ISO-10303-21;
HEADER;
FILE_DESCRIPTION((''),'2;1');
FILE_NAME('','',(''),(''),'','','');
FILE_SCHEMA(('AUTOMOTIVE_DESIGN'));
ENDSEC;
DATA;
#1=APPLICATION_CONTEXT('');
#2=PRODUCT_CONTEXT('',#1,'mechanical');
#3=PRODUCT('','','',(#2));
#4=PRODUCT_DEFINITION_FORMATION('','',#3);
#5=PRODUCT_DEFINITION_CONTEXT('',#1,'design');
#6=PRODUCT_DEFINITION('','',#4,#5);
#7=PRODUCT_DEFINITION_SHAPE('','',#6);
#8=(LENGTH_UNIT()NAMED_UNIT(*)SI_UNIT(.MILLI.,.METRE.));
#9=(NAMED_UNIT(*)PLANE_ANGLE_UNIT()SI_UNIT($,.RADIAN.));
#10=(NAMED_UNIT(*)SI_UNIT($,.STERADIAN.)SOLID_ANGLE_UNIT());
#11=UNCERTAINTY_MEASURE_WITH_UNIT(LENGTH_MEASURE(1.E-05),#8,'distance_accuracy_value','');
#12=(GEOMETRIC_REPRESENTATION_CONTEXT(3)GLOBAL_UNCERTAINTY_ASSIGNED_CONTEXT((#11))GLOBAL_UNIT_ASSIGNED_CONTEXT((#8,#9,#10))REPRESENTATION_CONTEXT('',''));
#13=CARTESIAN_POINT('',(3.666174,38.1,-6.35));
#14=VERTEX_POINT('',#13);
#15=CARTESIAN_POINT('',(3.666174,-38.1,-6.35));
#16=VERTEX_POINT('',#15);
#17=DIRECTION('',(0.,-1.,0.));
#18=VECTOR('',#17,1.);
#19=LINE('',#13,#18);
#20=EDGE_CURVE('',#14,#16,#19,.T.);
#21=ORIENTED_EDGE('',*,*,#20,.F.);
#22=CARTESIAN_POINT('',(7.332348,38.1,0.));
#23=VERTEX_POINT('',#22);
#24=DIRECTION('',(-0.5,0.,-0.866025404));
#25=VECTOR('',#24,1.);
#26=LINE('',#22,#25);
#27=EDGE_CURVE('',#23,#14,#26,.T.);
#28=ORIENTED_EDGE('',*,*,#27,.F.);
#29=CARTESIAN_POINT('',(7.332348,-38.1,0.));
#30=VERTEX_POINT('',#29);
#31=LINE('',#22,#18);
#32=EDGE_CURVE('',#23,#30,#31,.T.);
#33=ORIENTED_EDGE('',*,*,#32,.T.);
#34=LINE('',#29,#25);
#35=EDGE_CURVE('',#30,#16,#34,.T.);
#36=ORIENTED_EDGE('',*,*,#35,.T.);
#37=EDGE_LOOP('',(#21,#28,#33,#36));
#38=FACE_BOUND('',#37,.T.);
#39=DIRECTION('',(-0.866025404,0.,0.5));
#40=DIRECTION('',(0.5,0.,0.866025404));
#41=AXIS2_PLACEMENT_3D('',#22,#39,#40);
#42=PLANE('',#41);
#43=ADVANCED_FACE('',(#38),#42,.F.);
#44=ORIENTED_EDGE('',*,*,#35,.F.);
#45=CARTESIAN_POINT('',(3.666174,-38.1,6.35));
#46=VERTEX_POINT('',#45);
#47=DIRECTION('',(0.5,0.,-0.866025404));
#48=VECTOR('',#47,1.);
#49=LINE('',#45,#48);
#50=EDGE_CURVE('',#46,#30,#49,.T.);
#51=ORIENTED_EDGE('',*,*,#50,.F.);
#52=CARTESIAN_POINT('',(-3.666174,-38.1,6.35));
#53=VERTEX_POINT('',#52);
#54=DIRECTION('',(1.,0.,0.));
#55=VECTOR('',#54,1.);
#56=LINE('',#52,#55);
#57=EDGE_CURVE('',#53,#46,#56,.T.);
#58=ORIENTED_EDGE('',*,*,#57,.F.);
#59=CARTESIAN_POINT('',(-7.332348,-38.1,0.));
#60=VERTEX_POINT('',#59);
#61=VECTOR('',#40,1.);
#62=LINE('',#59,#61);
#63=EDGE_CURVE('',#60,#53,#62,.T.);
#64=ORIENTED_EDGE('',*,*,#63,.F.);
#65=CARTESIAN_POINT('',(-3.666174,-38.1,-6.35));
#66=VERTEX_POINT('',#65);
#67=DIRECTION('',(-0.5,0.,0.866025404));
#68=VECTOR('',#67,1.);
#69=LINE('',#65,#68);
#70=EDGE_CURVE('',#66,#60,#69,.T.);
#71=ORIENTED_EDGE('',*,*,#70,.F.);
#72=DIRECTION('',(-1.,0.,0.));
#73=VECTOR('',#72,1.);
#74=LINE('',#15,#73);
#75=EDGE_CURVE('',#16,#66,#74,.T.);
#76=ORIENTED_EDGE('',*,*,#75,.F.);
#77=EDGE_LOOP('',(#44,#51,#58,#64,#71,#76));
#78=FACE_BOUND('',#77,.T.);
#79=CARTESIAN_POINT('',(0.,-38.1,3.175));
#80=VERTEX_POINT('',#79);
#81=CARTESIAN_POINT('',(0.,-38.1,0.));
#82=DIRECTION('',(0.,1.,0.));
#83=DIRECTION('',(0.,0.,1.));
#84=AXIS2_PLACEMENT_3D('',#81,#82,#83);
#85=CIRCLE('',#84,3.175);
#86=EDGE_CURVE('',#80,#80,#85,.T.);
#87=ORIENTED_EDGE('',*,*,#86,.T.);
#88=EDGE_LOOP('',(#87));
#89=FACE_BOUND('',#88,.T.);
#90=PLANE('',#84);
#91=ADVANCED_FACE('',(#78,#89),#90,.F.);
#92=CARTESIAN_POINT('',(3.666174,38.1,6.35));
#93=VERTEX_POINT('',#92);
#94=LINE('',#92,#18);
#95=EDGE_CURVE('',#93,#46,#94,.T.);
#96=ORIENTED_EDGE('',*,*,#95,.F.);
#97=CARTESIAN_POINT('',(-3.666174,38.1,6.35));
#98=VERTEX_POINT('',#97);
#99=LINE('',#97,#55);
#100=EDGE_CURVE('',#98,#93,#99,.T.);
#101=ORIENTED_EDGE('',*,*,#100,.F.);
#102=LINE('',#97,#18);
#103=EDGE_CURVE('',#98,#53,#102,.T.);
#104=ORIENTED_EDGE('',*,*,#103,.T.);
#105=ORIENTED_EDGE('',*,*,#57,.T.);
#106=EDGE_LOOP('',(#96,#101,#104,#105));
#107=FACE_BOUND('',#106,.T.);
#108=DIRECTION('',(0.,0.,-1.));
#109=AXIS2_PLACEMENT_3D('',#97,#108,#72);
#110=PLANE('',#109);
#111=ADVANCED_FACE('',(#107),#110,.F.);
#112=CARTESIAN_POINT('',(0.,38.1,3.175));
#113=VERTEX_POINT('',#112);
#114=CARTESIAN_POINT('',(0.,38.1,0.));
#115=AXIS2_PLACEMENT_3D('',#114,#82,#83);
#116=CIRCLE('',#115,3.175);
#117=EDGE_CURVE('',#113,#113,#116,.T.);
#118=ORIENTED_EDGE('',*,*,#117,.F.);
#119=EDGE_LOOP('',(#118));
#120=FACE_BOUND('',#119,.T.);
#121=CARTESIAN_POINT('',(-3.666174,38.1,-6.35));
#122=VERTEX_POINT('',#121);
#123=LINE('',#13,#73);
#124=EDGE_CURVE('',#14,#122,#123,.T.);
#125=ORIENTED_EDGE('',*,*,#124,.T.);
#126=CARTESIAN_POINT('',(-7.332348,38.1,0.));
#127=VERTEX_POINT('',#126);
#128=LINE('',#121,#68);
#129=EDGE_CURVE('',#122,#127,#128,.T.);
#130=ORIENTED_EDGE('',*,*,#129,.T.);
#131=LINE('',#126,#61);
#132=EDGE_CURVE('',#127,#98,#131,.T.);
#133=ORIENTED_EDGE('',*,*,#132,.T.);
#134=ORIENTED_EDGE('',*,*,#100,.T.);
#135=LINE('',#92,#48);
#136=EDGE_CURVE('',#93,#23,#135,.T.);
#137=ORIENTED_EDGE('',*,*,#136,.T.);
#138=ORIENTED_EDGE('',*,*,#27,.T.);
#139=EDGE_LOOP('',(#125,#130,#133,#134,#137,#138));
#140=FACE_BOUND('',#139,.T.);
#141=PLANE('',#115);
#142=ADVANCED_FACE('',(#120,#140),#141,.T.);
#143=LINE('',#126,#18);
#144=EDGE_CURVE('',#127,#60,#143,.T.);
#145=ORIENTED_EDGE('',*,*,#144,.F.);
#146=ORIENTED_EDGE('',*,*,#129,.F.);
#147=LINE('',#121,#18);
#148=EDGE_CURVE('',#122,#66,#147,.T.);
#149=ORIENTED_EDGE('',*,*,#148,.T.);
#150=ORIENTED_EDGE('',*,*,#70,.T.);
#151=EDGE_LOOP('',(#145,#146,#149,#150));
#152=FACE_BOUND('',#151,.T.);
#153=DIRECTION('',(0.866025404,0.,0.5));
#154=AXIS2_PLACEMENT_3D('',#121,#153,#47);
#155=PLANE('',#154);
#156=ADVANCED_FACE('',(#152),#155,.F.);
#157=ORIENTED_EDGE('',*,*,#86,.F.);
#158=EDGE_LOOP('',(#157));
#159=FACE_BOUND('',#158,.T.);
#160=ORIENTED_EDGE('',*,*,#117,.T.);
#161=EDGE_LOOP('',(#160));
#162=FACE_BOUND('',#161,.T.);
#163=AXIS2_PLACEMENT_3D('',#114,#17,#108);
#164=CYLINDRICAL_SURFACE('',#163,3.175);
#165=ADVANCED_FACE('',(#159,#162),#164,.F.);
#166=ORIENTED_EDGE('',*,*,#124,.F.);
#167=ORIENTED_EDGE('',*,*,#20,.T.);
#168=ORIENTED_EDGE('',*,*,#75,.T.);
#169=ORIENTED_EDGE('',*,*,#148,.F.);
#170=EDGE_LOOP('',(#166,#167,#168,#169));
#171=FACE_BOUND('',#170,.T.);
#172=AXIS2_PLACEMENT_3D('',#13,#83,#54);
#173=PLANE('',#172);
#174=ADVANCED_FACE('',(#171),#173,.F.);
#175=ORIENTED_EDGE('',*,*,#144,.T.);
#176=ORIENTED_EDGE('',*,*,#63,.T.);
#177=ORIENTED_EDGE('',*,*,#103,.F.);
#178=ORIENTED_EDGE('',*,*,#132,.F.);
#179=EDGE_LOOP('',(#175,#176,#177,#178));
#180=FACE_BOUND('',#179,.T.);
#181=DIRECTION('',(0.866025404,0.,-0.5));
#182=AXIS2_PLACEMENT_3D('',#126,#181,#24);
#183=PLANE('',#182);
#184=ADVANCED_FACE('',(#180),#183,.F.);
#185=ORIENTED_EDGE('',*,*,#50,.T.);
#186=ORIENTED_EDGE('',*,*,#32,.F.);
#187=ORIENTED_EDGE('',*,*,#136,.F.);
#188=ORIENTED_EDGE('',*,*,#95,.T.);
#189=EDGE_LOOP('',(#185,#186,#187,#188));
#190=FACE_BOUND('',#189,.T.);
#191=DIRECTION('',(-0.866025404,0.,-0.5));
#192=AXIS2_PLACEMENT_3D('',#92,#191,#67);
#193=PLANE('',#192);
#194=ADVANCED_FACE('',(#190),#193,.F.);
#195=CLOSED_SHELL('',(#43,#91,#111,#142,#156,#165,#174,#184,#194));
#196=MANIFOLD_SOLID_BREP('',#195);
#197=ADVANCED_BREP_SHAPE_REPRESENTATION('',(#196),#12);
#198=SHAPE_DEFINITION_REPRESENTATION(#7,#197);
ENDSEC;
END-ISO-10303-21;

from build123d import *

# Parameters (mm, degrees)
SKETCH1_R           = 3.175
BOSS_EXTRUDE1_DEPTH = 38.1


with BuildPart() as part:
    # Sketch1 → Boss-Extrude1 (new body, symmetric)
    with BuildSketch(Plane(origin=(0, 0, 0), x_dir=(1, 0, 0), z_dir=(0, 1, 0))):
        Polygon((3.666174209, -6.35), (7.332348419, 0), (3.666174209, 6.35), (-3.666174209, 6.35), (-7.332348419, 0), (-3.666174209, -6.35), align=None)
        Circle(SKETCH1_R, mode=Mode.SUBTRACT)
    extrude(amount=BOSS_EXTRUDE1_DEPTH, both=True)


solid = part.part
